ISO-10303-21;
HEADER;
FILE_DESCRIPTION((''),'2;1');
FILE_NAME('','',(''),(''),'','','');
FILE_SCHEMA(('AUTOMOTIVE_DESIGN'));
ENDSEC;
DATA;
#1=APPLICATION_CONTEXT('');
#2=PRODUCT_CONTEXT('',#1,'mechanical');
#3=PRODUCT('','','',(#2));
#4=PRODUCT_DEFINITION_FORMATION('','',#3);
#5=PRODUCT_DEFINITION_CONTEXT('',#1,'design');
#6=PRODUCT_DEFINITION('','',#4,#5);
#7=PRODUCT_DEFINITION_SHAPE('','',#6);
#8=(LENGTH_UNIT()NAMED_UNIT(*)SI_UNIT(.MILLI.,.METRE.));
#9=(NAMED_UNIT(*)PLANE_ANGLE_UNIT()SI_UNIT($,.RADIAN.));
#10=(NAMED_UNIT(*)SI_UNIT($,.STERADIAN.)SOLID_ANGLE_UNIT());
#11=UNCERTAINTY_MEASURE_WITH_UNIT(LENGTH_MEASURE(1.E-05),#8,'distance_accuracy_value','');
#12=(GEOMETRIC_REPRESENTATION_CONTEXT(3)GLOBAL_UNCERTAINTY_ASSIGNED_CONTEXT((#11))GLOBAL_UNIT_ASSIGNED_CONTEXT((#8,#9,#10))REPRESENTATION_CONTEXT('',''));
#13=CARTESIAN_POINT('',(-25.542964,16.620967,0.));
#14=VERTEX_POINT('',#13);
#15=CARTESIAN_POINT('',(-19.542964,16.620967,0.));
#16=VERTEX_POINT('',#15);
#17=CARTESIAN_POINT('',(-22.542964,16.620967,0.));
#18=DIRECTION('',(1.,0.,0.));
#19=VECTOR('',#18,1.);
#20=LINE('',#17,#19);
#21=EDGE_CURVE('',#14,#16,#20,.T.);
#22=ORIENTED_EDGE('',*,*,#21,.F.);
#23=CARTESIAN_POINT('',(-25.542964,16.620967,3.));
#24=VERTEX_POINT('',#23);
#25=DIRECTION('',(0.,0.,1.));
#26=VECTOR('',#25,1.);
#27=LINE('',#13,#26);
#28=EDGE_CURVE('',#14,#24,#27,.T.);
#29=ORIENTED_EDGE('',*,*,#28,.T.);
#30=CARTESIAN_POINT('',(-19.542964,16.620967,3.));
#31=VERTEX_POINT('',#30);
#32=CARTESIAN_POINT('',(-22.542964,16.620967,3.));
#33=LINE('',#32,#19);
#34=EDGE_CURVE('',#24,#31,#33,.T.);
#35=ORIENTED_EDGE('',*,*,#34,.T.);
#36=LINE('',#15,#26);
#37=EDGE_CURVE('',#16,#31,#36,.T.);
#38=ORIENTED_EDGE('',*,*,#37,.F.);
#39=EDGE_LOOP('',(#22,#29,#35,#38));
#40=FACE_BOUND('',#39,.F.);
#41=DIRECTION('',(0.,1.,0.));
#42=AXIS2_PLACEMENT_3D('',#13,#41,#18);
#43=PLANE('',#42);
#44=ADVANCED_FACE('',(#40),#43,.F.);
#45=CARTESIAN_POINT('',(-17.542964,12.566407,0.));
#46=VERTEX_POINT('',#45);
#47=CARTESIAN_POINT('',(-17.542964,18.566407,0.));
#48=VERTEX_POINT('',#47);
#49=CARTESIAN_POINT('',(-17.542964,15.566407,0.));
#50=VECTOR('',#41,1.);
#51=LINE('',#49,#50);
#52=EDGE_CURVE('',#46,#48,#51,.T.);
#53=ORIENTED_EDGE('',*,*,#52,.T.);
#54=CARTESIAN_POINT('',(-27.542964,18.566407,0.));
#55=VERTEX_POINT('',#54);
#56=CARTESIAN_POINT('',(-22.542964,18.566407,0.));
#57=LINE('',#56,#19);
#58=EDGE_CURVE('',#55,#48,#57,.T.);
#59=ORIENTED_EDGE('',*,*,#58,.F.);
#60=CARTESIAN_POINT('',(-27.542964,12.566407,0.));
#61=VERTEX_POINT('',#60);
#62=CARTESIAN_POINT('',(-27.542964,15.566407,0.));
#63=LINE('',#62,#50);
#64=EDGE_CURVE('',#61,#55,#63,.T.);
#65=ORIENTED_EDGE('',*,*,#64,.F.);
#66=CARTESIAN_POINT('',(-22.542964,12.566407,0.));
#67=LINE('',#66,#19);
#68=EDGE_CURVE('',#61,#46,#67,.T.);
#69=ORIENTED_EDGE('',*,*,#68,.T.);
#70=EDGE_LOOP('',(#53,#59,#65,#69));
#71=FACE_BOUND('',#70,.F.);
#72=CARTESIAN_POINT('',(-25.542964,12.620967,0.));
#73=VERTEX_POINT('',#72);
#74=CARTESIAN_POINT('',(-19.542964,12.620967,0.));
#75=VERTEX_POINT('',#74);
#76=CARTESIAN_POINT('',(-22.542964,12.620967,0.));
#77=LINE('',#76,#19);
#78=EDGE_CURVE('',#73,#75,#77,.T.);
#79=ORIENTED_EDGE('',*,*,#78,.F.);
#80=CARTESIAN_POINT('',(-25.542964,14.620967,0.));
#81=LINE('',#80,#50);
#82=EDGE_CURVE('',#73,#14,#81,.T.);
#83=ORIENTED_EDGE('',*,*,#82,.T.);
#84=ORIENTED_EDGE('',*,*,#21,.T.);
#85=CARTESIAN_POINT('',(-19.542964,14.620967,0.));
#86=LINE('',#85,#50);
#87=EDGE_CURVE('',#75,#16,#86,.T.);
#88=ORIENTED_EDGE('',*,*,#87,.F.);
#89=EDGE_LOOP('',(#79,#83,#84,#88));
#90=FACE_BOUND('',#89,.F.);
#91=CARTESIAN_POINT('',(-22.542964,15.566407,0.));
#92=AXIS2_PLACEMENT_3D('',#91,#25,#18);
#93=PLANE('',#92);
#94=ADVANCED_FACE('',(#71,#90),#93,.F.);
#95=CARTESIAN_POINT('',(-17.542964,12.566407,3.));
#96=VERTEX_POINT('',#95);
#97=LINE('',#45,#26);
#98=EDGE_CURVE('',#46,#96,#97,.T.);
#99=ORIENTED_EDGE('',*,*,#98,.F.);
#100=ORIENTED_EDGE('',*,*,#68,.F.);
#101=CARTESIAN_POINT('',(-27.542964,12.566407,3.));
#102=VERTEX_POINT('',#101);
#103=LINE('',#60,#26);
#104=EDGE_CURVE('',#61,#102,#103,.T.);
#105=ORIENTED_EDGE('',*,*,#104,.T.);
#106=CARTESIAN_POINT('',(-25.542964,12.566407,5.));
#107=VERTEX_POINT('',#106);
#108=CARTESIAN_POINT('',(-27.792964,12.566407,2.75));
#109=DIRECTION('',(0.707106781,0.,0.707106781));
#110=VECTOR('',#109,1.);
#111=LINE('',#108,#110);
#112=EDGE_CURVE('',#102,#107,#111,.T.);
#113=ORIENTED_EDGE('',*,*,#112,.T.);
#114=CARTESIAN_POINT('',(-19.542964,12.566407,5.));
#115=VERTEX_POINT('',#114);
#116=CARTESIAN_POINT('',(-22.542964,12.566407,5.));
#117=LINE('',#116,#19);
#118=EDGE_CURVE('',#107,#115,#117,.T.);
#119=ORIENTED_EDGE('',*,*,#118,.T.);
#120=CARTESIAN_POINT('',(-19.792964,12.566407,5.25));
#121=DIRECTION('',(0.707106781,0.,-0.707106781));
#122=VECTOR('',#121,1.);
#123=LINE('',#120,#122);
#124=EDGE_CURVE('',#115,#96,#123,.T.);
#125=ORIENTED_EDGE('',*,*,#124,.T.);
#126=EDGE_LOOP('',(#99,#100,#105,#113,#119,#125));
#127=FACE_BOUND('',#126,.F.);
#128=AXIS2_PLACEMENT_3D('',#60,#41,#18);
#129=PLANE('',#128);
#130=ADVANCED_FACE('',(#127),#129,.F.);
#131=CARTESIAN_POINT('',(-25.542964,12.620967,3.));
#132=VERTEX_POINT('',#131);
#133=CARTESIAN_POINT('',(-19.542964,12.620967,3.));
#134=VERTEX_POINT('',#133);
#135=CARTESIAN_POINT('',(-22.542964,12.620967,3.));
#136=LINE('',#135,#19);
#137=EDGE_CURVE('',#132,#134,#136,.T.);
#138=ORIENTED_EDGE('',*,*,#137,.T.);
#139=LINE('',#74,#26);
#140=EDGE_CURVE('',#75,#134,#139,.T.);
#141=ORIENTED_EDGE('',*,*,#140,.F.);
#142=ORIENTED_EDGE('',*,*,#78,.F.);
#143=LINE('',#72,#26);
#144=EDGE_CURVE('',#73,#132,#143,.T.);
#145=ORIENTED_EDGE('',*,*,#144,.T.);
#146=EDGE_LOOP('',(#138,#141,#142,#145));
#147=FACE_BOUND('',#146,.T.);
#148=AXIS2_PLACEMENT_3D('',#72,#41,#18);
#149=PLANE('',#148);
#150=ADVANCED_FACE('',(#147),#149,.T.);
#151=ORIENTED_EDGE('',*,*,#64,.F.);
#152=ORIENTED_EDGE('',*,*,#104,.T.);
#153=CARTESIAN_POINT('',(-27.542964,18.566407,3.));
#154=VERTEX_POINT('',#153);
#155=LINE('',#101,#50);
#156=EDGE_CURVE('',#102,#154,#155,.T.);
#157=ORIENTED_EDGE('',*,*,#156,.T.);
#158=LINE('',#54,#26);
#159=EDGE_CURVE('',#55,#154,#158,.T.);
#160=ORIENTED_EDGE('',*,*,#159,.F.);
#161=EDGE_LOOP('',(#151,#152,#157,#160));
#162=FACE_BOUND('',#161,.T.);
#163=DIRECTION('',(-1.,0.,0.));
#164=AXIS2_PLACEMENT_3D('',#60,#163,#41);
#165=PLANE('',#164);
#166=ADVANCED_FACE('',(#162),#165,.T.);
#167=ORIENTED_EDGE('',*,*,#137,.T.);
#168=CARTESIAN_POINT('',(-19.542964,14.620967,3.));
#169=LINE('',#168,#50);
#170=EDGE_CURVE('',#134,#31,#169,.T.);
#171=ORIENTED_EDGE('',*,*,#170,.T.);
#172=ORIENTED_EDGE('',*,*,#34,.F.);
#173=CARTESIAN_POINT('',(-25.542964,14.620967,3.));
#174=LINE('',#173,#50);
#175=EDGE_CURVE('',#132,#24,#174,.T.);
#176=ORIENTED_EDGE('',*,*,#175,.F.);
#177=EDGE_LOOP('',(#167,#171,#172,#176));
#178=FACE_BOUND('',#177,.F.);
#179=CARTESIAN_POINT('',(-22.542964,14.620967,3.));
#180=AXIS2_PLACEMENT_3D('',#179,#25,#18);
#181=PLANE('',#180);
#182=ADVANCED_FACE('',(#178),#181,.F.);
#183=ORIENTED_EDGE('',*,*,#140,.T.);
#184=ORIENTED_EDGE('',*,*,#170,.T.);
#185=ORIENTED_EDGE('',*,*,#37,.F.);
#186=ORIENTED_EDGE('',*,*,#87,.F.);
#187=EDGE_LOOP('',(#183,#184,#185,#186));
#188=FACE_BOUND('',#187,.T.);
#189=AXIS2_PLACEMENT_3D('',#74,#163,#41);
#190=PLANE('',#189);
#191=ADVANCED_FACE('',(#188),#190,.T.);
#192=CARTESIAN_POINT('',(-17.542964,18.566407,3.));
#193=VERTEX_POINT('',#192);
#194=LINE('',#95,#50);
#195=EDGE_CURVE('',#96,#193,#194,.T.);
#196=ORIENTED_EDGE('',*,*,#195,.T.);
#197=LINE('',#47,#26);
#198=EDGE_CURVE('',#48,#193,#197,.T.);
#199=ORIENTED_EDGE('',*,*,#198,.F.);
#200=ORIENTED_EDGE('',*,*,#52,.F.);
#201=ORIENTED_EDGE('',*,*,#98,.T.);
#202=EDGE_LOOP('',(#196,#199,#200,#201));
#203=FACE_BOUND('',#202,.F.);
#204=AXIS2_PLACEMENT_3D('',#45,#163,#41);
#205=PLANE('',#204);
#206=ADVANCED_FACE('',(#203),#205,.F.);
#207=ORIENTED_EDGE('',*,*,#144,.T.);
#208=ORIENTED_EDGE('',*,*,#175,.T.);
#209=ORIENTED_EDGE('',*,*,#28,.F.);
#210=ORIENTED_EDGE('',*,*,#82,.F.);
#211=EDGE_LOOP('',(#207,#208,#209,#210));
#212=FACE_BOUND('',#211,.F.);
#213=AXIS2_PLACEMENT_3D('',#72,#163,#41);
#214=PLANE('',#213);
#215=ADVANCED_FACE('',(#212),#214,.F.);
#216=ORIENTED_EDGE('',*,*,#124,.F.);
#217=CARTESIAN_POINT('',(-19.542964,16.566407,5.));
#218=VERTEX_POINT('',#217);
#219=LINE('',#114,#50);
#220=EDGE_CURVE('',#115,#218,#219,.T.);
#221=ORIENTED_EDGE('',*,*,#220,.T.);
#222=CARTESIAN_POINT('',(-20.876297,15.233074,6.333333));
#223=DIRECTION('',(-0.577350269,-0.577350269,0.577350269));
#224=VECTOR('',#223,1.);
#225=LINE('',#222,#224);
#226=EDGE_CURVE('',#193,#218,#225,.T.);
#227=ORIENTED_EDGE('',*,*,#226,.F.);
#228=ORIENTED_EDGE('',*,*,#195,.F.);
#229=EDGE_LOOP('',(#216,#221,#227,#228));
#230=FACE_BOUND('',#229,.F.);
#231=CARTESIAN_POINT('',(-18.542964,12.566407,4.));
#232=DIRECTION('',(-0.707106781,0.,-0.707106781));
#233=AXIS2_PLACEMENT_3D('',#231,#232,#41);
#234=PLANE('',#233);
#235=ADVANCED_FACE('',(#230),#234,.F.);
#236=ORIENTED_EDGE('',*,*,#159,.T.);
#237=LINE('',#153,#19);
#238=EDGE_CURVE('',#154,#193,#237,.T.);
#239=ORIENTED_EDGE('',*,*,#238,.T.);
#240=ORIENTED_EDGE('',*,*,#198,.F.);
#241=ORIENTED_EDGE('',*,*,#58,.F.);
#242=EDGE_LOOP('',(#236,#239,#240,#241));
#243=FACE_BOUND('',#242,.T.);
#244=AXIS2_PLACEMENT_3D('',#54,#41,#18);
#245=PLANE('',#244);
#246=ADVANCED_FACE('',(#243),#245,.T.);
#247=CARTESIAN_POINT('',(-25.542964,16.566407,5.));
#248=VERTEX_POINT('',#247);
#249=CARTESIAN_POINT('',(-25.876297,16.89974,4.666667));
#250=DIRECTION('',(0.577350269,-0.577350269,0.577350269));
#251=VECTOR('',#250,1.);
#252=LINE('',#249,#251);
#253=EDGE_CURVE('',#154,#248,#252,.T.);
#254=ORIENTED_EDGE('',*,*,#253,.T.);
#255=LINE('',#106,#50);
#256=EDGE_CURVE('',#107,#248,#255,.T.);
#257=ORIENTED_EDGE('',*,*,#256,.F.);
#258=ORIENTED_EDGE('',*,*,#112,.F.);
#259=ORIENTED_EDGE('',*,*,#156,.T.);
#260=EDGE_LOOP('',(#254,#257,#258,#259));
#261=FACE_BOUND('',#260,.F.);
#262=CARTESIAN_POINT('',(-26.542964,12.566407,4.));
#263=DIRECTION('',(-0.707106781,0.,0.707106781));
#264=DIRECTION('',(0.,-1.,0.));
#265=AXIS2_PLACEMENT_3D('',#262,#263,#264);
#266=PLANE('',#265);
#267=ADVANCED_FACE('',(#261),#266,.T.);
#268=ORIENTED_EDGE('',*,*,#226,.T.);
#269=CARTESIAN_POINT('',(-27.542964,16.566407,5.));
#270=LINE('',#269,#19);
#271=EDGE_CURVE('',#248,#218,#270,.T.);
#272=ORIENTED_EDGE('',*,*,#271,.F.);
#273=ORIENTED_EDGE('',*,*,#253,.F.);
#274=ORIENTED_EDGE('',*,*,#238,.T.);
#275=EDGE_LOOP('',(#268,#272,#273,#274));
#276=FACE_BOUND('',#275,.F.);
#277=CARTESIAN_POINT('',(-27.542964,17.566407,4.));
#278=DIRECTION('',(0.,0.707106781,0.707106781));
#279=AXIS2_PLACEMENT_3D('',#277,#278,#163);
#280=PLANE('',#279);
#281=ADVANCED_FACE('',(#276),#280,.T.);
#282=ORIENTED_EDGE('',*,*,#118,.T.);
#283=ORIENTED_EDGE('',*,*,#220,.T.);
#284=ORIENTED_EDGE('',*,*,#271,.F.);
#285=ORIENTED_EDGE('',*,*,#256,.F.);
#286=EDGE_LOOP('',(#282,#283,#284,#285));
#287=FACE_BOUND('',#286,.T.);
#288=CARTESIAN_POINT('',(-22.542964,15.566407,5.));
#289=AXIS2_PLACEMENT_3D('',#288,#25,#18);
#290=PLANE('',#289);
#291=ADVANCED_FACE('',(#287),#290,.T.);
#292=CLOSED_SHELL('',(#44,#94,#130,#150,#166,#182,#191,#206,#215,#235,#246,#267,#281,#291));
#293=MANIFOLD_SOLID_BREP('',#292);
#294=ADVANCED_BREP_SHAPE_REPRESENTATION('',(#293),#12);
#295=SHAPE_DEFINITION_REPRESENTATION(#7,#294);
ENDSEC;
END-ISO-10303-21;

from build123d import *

# Parameters (mm, degrees)
F0_W     = 10
F0_H     = 6
F2_DEPTH = 5
F1_W     = 6
F1_H     = 4
F3_DEPTH = 3
F4_SIZE  = 2


with BuildPart() as f2:
    # F0 (on Top) → F2 (new body)
    with BuildSketch(Plane.XY):
        with Locations((-22.542964, 15.566407)):
            Rectangle(F0_W, F0_H)
    extrude(amount=F2_DEPTH)

    # F1 (on face) → F3 (cut)
    with BuildSketch(Plane.XY):
        with Locations((-22.542964, 14.620967)):
            Rectangle(F1_W, F1_H)
    extrude(amount=F3_DEPTH, mode=Mode.SUBTRACT)

    # F4
    f4_edges = [f2.edges().sort_by_distance(p)[0] for p in [
        (-27.542964, 15.566407, 5),
        (-22.542964, 18.566407, 5),
        (-17.542964, 15.566407, 5),
    ]]
    chamfer(f4_edges, length=F4_SIZE)


solid = f2.part
